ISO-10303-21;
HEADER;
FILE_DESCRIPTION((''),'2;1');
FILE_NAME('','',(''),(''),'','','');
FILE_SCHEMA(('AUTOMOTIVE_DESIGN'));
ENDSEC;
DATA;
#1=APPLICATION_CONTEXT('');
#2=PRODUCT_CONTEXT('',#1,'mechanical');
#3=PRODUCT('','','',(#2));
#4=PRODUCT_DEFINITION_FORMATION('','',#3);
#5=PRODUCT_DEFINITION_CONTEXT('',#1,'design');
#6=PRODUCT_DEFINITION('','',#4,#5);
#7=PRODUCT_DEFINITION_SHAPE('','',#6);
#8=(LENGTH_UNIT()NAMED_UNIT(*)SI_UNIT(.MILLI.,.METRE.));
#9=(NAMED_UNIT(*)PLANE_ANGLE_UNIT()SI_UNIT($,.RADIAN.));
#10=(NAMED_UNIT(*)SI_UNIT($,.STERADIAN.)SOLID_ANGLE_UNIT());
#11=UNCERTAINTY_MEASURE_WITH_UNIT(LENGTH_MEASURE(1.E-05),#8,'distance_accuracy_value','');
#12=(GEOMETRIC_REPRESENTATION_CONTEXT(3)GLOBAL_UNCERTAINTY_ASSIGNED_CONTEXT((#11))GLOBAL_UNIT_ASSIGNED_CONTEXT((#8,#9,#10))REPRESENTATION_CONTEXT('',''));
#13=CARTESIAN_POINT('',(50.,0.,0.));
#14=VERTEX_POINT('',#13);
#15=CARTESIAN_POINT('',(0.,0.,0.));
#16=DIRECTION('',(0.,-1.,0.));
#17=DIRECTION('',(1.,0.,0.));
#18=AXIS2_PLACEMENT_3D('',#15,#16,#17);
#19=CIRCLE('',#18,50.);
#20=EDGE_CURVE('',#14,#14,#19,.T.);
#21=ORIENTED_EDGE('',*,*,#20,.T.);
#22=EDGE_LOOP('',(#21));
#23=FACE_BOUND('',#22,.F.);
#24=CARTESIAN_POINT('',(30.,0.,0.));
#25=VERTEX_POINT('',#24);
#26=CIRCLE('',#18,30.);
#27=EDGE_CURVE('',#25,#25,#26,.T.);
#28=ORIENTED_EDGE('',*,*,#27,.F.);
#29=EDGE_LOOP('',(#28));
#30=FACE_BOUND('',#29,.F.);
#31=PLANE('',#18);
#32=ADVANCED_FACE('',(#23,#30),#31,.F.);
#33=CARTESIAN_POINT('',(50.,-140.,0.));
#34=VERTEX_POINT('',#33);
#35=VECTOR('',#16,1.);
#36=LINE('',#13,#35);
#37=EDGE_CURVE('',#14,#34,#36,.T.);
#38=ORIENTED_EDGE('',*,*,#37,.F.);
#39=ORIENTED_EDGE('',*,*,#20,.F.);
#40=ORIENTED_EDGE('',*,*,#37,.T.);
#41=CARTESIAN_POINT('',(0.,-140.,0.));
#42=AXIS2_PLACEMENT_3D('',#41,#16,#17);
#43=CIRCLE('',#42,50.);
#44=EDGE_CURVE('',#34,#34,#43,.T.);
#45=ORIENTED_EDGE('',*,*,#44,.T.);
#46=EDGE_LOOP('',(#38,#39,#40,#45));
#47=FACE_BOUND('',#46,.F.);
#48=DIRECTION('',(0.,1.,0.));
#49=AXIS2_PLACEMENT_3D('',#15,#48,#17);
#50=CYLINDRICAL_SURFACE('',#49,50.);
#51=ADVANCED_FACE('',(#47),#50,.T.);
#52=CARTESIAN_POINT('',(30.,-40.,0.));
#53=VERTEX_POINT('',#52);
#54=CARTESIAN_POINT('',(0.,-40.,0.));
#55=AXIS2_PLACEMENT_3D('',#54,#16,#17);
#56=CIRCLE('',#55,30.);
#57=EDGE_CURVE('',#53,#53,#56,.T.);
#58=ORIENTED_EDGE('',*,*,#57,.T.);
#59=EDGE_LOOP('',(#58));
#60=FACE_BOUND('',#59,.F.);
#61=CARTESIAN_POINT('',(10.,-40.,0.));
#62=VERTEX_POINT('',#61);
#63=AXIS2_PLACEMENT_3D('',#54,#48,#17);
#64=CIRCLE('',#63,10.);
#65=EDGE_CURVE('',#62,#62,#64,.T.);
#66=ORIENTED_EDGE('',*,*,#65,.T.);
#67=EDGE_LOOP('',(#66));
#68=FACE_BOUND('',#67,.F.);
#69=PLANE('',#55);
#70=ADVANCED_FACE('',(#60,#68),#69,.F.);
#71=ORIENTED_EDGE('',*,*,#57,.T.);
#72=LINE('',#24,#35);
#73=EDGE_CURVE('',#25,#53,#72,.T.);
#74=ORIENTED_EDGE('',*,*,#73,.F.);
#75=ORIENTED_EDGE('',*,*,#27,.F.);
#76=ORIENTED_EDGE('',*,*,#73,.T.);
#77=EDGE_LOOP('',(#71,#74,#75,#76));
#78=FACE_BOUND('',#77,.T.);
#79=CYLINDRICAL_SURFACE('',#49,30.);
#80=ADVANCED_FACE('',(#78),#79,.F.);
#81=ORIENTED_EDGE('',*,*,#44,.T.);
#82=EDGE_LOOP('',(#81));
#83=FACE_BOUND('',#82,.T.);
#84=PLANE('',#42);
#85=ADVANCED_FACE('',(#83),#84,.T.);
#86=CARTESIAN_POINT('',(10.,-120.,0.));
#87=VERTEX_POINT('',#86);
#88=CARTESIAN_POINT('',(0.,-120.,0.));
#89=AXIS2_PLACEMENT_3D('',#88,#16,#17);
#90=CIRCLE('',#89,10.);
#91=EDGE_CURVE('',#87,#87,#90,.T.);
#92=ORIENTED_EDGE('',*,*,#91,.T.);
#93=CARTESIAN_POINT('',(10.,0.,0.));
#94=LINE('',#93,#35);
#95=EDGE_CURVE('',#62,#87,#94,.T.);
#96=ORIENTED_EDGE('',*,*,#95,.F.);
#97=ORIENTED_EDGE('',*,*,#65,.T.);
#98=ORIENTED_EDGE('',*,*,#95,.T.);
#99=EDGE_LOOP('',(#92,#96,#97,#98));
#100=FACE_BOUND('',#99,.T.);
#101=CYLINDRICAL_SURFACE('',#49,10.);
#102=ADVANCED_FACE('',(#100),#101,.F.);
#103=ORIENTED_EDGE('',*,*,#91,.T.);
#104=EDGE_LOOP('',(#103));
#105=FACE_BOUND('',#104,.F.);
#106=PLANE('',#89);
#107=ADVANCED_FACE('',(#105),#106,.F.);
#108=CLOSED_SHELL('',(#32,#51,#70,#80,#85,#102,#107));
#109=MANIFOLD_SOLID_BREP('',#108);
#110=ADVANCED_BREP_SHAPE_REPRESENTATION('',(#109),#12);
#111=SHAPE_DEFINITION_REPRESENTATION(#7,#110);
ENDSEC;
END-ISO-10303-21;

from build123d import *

# Parameters (mm, degrees)
F0_R     = 50
F1_DEPTH = 140
F2_R     = 30
F3_DEPTH = 40
F4_R     = 10
F5_DEPTH = 120


with BuildPart() as f1:
    # F0 (on Front) → F1 (new body)
    with BuildSketch(Plane.XZ):
        Circle(F0_R)
    extrude(amount=F1_DEPTH)

    # F2 (on Front) → F3 (cut)
    with BuildSketch(Plane.XZ):
        Circle(F2_R)
    extrude(amount=F3_DEPTH, mode=Mode.SUBTRACT)

    # F4 (on Front) → F5 (cut)
    with BuildSketch(Plane.XZ):
        Circle(F4_R)
    extrude(amount=F5_DEPTH, mode=Mode.SUBTRACT)


solid = f1.part
